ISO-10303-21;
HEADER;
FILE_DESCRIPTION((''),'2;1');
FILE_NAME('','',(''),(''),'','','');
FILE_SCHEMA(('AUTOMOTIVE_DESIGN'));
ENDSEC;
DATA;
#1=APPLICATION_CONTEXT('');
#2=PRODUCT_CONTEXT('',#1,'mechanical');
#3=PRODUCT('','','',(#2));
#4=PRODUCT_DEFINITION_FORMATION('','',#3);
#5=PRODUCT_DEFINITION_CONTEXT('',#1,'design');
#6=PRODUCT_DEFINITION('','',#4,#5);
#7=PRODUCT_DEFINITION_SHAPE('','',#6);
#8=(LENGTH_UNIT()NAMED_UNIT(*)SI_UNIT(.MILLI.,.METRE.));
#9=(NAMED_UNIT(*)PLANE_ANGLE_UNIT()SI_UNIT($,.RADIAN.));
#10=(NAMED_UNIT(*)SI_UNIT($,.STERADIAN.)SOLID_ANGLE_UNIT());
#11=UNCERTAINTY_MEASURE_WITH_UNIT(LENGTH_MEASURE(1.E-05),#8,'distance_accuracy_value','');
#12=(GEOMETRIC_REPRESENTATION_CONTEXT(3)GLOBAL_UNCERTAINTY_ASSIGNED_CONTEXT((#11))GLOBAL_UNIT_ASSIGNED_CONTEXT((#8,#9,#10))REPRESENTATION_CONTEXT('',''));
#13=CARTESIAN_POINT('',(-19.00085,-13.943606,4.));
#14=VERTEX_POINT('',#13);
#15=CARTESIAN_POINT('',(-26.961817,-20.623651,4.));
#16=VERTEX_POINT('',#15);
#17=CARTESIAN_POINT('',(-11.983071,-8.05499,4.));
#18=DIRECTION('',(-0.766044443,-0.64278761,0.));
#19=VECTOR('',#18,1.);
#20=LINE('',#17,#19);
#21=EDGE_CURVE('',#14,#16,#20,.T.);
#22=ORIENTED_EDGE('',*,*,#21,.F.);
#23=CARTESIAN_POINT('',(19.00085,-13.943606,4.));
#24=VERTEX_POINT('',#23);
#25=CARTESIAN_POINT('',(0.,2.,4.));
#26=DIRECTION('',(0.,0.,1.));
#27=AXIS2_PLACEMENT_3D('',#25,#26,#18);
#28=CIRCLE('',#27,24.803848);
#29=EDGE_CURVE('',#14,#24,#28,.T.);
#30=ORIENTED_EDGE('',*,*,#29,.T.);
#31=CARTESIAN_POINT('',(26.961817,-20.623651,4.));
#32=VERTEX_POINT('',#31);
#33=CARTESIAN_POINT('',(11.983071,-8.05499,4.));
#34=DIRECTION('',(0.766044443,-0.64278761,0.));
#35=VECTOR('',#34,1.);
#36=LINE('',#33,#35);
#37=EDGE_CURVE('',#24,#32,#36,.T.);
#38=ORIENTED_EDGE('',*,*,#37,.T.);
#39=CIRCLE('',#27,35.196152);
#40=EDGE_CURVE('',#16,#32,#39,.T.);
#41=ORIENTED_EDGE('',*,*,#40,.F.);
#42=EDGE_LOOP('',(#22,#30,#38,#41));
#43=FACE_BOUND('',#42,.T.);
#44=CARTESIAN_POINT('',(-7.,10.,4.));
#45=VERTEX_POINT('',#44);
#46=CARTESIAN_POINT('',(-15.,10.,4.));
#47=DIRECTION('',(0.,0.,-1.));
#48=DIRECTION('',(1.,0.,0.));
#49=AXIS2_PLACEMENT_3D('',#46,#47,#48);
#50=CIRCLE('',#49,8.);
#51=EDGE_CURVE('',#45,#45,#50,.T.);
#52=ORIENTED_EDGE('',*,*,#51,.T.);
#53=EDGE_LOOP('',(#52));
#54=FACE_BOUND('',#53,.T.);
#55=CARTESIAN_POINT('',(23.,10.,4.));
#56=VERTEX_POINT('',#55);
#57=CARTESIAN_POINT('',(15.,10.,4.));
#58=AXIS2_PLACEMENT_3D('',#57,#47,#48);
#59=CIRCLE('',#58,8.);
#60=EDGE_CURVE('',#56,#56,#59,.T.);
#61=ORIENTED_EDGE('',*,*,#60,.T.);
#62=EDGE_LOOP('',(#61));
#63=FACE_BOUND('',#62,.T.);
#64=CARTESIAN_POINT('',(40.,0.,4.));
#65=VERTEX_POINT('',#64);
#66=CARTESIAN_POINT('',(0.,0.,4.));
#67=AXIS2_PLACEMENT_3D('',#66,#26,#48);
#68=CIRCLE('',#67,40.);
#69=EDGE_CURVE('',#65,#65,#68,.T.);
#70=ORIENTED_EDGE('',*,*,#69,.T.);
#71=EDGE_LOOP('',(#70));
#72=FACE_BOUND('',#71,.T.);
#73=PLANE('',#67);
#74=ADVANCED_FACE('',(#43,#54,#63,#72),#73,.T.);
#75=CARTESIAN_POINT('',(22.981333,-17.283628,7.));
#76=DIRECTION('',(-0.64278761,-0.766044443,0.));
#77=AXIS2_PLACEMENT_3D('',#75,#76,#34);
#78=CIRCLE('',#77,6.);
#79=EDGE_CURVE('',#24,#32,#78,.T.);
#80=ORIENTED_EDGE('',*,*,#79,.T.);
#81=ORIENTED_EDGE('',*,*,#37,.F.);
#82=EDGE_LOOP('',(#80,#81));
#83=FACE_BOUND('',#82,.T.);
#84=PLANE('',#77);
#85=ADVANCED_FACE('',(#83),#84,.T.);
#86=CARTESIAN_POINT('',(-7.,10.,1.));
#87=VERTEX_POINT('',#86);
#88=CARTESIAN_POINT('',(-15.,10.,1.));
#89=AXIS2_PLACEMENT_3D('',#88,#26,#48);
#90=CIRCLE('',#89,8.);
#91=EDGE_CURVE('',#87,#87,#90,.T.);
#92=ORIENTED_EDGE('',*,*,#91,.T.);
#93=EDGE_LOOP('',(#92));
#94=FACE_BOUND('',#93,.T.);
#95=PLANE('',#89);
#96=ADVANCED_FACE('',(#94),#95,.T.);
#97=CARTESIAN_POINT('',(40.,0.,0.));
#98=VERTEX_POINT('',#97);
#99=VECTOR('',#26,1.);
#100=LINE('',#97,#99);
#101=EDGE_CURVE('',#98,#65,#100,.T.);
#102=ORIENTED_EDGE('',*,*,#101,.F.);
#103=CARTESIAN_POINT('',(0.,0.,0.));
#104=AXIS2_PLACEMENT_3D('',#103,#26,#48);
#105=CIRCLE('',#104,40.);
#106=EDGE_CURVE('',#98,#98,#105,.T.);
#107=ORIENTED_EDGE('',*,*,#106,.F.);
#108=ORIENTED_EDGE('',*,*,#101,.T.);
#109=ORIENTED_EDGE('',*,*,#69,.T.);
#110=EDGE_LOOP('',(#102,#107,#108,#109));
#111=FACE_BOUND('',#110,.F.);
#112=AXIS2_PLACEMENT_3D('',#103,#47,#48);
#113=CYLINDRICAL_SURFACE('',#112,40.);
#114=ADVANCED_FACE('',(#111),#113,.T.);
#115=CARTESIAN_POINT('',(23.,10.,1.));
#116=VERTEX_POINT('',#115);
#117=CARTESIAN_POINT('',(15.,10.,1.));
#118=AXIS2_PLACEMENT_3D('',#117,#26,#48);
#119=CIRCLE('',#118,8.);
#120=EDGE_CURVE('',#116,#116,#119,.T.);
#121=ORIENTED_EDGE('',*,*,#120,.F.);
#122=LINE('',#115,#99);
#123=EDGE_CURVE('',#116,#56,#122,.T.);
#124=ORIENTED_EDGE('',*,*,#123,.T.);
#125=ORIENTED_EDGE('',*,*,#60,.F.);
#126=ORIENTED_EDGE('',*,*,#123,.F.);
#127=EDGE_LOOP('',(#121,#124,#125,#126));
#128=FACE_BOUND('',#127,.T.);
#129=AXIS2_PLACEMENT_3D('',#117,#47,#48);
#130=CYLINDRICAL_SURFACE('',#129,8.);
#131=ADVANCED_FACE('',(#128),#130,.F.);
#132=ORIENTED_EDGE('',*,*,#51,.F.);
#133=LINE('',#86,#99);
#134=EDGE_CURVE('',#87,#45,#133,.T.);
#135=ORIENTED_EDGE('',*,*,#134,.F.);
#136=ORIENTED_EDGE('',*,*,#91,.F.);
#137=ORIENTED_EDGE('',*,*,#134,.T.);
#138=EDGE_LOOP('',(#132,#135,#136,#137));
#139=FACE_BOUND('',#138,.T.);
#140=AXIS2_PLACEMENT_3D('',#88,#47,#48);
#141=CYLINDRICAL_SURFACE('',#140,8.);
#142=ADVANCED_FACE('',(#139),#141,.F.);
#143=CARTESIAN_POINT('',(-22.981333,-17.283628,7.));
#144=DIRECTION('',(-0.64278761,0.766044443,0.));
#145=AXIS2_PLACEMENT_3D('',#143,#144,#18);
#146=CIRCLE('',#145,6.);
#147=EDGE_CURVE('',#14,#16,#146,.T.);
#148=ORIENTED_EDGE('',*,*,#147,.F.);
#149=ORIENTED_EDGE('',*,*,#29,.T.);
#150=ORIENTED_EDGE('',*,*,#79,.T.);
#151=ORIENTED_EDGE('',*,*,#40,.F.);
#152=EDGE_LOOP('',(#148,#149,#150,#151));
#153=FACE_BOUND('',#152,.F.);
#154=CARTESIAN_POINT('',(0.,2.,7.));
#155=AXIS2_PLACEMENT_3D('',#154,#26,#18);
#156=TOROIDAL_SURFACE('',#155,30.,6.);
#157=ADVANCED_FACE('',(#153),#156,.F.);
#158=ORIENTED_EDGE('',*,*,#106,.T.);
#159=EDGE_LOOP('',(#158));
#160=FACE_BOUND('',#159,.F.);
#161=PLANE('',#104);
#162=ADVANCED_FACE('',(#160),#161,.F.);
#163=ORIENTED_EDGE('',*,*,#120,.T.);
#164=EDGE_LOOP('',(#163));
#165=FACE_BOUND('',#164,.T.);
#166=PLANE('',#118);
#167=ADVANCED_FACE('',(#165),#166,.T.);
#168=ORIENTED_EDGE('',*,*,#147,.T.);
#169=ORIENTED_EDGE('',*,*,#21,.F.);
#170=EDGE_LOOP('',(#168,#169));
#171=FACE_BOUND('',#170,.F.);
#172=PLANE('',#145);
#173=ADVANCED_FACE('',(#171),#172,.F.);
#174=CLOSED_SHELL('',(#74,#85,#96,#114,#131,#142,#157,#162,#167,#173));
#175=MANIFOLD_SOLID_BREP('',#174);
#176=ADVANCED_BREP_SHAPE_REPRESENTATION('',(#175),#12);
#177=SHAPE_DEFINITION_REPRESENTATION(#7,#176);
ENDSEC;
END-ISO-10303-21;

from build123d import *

# Parameters (mm, degrees)
TORUS_R               = 6
TORUS_ANGLE           = 100
TORUS_PLACEMENT_ANGLE = 140
CYLINDER002_R         = 8
CYLINDER002_DEPTH     = 10
CYLINDER001_R         = 8
CYLINDER001_DEPTH     = 10
CYLINDER_R            = 40
CYLINDER_DEPTH        = 4


with BuildPart() as torus:
    # Torus → Torus (revolve)
    with BuildSketch(Plane.XZ):
        with Locations((30, 0)):
            Circle(TORUS_R)
    revolve(axis=Axis((0, 0, 0), (0, 0, 1)), revolution_arc=TORUS_ANGLE)


with BuildPart() as torus_1:
    # Torus placement: moved
    add(torus.part.moved(Location((0, 2, 7))).rotate(Axis((0, 2, 7), (0, 0, -1)), TORUS_PLACEMENT_ANGLE))


with BuildPart() as cylinder002:
    # Cylinder002 → Cylinder002 (new body)
    with BuildSketch(Plane(origin=(15, 10, 1), x_dir=(1, 0, 0), z_dir=(0, 0, 1))):
        Circle(CYLINDER002_R)
    extrude(amount=CYLINDER002_DEPTH)


with BuildPart() as cylinder001:
    # Cylinder001 → Cylinder001 (new body)
    with BuildSketch(Plane(origin=(-15, 10, 1), x_dir=(1, 0, 0), z_dir=(0, 0, 1))):
        Circle(CYLINDER001_R)
    extrude(amount=CYLINDER001_DEPTH)


with BuildPart() as cut002:
    # Cylinder → Cylinder (new body)
    with BuildSketch(Plane.XY):
        Circle(CYLINDER_R)
    extrude(amount=CYLINDER_DEPTH)

    # Cut: cut Cylinder001
    add(cylinder001.part, mode=Mode.SUBTRACT)

    # Cut001: cut Cylinder002
    add(cylinder002.part, mode=Mode.SUBTRACT)

    # Cut002: cut Torus
    add(torus_1.part, mode=Mode.SUBTRACT)


solid = cut002.part
